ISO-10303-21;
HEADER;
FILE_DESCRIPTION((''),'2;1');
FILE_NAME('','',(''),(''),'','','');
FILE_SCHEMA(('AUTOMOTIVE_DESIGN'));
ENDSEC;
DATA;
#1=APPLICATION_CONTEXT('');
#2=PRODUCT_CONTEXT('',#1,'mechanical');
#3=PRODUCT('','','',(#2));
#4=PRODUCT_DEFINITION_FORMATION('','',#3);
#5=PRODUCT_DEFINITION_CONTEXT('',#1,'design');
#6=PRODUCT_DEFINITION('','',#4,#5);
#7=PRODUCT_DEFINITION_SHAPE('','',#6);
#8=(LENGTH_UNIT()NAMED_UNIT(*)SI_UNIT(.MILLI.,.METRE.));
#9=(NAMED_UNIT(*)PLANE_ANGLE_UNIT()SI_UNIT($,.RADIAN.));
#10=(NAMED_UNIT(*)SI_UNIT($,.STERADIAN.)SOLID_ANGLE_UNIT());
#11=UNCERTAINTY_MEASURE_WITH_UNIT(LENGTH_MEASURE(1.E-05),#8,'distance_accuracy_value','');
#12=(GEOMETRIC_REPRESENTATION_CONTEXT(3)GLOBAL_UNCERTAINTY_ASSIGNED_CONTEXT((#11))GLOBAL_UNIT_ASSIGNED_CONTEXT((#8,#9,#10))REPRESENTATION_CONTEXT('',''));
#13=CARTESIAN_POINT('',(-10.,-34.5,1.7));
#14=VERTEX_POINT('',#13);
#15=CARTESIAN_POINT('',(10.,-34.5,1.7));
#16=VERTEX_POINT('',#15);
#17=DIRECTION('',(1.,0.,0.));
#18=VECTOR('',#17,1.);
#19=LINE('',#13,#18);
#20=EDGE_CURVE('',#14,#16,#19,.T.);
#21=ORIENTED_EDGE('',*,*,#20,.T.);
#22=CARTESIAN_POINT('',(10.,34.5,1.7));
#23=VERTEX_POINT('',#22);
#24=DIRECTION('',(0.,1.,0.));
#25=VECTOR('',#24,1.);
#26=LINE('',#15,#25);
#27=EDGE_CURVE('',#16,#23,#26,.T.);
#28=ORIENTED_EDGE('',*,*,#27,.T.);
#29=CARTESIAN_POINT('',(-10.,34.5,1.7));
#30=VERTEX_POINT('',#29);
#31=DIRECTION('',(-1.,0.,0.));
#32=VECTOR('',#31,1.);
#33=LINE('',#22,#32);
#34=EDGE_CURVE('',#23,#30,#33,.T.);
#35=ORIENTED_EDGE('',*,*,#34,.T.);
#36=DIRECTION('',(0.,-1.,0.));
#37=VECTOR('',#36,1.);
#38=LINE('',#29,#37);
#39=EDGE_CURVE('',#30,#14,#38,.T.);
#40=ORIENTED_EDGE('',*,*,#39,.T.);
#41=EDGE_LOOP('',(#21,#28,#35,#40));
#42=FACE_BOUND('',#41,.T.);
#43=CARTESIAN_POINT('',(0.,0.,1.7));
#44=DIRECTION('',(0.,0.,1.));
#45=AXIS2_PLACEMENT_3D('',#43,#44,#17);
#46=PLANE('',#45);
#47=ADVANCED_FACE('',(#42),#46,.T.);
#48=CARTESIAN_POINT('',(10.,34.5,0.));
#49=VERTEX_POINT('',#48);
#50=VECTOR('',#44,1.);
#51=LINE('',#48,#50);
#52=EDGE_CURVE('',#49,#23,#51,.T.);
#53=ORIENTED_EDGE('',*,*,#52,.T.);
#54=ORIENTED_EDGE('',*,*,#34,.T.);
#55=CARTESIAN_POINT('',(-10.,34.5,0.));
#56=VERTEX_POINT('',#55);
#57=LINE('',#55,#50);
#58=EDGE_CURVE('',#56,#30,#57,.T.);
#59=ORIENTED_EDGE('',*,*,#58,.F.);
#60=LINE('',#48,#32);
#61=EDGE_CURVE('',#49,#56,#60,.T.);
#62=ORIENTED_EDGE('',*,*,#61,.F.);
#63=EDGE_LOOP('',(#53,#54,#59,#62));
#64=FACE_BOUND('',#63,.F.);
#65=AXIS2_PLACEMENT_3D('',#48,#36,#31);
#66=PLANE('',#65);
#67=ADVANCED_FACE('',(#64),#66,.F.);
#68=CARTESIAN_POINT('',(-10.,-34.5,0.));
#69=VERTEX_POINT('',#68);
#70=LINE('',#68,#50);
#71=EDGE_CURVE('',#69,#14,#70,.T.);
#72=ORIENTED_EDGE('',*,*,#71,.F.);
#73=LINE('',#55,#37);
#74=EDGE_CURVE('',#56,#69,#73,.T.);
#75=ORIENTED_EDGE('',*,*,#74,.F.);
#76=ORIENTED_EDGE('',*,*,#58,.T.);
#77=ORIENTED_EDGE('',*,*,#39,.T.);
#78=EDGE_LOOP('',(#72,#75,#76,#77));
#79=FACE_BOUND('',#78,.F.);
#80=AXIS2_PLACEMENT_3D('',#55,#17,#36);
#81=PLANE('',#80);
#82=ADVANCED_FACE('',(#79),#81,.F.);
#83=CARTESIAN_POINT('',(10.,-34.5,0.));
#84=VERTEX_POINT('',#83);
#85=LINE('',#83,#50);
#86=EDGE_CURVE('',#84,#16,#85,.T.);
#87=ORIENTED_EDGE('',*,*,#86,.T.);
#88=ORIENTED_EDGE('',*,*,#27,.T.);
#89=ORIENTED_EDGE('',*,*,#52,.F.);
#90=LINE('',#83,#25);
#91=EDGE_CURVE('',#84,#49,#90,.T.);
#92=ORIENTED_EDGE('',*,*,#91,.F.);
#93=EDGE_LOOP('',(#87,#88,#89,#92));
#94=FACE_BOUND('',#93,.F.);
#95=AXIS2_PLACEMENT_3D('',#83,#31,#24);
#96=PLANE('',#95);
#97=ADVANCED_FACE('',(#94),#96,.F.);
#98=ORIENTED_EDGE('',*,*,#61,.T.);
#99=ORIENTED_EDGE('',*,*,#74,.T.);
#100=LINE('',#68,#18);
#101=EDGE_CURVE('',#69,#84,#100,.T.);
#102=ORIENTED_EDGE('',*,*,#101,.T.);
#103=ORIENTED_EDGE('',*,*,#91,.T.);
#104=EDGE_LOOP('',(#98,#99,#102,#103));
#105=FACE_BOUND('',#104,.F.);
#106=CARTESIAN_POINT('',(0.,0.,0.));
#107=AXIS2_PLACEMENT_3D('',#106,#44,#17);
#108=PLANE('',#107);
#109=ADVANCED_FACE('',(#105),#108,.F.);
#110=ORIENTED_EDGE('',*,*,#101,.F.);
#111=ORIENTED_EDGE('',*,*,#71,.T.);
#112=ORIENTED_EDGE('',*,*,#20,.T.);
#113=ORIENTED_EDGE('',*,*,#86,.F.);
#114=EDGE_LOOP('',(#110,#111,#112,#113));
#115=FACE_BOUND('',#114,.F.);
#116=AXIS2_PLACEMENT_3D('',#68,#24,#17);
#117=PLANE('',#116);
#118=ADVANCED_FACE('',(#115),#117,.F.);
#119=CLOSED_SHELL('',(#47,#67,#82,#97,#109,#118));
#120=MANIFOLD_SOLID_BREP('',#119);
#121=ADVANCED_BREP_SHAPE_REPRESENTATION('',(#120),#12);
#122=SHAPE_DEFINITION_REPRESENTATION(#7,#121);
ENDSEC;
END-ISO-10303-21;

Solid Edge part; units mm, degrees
sketch "Sketch1" plane through (0, 0, 0) normal (0, 0, 1) x (1, 0, 0)
  line L0 (-10, -34.5) -> (10, -34.5)
  line L1 (10, -34.5) -> (10, 34.5)
  line L2 (10, 34.5) -> (-10, 34.5)
  line L3 (-10, 34.5) -> (-10, -34.5)
extrude "Protrusion1" add sketch "Sketch1" along normal blind 1.7
